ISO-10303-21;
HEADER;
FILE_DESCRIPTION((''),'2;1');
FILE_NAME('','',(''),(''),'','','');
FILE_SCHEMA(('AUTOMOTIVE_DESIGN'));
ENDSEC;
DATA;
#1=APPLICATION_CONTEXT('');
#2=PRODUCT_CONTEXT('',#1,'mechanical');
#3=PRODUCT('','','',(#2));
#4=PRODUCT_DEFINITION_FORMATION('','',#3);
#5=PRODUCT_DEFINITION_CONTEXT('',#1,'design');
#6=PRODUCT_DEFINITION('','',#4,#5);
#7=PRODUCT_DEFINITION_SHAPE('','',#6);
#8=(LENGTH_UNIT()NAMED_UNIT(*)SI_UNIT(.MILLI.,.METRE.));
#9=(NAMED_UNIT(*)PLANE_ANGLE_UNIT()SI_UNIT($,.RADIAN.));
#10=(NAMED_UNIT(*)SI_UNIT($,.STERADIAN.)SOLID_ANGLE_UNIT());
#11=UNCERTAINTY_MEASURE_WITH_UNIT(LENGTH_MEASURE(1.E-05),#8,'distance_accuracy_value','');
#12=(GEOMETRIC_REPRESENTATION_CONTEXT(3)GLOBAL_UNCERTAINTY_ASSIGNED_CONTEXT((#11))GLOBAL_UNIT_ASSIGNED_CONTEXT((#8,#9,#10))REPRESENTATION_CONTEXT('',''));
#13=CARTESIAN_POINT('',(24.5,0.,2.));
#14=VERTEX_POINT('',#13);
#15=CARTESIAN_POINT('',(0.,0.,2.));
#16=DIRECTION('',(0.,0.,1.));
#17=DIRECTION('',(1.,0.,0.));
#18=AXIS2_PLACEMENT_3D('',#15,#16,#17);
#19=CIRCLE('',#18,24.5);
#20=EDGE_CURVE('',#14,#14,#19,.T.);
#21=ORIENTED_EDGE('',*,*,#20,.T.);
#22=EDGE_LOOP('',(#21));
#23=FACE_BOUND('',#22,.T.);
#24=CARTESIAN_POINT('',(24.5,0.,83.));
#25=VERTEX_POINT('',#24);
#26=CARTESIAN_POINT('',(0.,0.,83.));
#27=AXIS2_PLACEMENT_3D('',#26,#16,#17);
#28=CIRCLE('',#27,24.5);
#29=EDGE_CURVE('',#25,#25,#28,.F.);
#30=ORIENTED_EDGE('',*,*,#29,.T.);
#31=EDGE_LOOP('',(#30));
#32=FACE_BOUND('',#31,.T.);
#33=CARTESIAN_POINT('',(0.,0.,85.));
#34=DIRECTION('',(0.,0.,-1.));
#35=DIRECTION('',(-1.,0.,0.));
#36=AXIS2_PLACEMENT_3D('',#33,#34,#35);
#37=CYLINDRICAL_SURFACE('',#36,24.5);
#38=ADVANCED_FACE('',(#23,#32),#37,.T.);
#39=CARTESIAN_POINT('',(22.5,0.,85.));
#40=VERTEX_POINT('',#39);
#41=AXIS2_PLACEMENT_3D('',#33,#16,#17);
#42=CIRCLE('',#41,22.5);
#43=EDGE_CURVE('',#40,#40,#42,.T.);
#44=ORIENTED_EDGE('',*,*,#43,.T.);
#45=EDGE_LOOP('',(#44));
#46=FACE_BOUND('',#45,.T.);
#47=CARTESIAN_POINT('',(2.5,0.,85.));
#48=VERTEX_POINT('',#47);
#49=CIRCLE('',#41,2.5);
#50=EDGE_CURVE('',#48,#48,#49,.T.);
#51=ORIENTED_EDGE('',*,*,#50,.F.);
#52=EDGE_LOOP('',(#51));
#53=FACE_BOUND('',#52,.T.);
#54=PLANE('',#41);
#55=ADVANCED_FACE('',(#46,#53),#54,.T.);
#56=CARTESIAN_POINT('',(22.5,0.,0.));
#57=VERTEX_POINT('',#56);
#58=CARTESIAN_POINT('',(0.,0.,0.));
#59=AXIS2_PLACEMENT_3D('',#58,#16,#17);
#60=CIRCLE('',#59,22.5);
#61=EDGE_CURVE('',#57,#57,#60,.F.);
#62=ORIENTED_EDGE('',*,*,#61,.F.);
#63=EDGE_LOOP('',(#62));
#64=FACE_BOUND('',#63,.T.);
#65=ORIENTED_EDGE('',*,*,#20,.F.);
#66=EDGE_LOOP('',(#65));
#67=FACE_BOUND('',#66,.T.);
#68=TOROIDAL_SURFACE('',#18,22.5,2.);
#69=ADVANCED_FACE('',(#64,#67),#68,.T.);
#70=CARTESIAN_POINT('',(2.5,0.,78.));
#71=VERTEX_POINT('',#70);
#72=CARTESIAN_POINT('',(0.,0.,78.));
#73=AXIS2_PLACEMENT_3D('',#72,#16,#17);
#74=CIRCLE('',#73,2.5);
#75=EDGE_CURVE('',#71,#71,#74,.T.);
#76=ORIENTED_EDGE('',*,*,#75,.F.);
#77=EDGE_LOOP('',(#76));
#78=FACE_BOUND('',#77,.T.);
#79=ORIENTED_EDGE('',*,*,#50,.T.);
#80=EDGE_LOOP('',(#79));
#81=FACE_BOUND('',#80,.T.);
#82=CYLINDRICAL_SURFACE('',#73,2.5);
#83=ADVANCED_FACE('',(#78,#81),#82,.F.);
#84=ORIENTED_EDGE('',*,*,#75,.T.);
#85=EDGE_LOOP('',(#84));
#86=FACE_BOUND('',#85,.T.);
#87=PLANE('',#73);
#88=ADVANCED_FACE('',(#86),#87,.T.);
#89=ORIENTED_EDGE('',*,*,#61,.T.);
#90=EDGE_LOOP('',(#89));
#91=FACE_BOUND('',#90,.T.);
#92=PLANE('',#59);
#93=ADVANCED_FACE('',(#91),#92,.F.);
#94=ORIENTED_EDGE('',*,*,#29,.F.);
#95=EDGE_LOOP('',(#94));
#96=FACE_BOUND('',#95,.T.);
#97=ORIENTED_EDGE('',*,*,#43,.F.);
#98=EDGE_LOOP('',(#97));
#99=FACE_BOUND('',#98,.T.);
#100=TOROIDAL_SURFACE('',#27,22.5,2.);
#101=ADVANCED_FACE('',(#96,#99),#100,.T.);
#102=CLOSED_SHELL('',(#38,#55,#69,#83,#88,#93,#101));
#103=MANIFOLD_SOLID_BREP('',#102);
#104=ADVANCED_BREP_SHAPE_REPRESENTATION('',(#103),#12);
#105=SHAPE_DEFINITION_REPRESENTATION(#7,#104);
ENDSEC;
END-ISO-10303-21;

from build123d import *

# Parameters (mm, degrees)
SKETCH1_R           = 24.5
BOSS_EXTRUDE1_DEPTH = 85
FILLET1_R           = 2
SKETCH2_R           = 2.5
CUT_EXTRUDE1_DEPTH  = 7


with BuildPart() as part:
    # Sketch1 → Boss-Extrude1 (new body)
    with BuildSketch(Plane.XY):
        Circle(SKETCH1_R)
    extrude(amount=BOSS_EXTRUDE1_DEPTH)

    # Fillet1
    fillet1_edges = [part.edges().sort_by_distance(p)[0] for p in [
        (-24.5, 0, 0),
        (-24.5, 0, 85),
    ]]
    fillet(fillet1_edges, radius=FILLET1_R)

    # Sketch2 → Cut-Extrude1 (cut)
    with BuildSketch(Plane.XY.offset(85)):
        Circle(SKETCH2_R)
    extrude(amount=-CUT_EXTRUDE1_DEPTH, mode=Mode.SUBTRACT)


solid = part.part
